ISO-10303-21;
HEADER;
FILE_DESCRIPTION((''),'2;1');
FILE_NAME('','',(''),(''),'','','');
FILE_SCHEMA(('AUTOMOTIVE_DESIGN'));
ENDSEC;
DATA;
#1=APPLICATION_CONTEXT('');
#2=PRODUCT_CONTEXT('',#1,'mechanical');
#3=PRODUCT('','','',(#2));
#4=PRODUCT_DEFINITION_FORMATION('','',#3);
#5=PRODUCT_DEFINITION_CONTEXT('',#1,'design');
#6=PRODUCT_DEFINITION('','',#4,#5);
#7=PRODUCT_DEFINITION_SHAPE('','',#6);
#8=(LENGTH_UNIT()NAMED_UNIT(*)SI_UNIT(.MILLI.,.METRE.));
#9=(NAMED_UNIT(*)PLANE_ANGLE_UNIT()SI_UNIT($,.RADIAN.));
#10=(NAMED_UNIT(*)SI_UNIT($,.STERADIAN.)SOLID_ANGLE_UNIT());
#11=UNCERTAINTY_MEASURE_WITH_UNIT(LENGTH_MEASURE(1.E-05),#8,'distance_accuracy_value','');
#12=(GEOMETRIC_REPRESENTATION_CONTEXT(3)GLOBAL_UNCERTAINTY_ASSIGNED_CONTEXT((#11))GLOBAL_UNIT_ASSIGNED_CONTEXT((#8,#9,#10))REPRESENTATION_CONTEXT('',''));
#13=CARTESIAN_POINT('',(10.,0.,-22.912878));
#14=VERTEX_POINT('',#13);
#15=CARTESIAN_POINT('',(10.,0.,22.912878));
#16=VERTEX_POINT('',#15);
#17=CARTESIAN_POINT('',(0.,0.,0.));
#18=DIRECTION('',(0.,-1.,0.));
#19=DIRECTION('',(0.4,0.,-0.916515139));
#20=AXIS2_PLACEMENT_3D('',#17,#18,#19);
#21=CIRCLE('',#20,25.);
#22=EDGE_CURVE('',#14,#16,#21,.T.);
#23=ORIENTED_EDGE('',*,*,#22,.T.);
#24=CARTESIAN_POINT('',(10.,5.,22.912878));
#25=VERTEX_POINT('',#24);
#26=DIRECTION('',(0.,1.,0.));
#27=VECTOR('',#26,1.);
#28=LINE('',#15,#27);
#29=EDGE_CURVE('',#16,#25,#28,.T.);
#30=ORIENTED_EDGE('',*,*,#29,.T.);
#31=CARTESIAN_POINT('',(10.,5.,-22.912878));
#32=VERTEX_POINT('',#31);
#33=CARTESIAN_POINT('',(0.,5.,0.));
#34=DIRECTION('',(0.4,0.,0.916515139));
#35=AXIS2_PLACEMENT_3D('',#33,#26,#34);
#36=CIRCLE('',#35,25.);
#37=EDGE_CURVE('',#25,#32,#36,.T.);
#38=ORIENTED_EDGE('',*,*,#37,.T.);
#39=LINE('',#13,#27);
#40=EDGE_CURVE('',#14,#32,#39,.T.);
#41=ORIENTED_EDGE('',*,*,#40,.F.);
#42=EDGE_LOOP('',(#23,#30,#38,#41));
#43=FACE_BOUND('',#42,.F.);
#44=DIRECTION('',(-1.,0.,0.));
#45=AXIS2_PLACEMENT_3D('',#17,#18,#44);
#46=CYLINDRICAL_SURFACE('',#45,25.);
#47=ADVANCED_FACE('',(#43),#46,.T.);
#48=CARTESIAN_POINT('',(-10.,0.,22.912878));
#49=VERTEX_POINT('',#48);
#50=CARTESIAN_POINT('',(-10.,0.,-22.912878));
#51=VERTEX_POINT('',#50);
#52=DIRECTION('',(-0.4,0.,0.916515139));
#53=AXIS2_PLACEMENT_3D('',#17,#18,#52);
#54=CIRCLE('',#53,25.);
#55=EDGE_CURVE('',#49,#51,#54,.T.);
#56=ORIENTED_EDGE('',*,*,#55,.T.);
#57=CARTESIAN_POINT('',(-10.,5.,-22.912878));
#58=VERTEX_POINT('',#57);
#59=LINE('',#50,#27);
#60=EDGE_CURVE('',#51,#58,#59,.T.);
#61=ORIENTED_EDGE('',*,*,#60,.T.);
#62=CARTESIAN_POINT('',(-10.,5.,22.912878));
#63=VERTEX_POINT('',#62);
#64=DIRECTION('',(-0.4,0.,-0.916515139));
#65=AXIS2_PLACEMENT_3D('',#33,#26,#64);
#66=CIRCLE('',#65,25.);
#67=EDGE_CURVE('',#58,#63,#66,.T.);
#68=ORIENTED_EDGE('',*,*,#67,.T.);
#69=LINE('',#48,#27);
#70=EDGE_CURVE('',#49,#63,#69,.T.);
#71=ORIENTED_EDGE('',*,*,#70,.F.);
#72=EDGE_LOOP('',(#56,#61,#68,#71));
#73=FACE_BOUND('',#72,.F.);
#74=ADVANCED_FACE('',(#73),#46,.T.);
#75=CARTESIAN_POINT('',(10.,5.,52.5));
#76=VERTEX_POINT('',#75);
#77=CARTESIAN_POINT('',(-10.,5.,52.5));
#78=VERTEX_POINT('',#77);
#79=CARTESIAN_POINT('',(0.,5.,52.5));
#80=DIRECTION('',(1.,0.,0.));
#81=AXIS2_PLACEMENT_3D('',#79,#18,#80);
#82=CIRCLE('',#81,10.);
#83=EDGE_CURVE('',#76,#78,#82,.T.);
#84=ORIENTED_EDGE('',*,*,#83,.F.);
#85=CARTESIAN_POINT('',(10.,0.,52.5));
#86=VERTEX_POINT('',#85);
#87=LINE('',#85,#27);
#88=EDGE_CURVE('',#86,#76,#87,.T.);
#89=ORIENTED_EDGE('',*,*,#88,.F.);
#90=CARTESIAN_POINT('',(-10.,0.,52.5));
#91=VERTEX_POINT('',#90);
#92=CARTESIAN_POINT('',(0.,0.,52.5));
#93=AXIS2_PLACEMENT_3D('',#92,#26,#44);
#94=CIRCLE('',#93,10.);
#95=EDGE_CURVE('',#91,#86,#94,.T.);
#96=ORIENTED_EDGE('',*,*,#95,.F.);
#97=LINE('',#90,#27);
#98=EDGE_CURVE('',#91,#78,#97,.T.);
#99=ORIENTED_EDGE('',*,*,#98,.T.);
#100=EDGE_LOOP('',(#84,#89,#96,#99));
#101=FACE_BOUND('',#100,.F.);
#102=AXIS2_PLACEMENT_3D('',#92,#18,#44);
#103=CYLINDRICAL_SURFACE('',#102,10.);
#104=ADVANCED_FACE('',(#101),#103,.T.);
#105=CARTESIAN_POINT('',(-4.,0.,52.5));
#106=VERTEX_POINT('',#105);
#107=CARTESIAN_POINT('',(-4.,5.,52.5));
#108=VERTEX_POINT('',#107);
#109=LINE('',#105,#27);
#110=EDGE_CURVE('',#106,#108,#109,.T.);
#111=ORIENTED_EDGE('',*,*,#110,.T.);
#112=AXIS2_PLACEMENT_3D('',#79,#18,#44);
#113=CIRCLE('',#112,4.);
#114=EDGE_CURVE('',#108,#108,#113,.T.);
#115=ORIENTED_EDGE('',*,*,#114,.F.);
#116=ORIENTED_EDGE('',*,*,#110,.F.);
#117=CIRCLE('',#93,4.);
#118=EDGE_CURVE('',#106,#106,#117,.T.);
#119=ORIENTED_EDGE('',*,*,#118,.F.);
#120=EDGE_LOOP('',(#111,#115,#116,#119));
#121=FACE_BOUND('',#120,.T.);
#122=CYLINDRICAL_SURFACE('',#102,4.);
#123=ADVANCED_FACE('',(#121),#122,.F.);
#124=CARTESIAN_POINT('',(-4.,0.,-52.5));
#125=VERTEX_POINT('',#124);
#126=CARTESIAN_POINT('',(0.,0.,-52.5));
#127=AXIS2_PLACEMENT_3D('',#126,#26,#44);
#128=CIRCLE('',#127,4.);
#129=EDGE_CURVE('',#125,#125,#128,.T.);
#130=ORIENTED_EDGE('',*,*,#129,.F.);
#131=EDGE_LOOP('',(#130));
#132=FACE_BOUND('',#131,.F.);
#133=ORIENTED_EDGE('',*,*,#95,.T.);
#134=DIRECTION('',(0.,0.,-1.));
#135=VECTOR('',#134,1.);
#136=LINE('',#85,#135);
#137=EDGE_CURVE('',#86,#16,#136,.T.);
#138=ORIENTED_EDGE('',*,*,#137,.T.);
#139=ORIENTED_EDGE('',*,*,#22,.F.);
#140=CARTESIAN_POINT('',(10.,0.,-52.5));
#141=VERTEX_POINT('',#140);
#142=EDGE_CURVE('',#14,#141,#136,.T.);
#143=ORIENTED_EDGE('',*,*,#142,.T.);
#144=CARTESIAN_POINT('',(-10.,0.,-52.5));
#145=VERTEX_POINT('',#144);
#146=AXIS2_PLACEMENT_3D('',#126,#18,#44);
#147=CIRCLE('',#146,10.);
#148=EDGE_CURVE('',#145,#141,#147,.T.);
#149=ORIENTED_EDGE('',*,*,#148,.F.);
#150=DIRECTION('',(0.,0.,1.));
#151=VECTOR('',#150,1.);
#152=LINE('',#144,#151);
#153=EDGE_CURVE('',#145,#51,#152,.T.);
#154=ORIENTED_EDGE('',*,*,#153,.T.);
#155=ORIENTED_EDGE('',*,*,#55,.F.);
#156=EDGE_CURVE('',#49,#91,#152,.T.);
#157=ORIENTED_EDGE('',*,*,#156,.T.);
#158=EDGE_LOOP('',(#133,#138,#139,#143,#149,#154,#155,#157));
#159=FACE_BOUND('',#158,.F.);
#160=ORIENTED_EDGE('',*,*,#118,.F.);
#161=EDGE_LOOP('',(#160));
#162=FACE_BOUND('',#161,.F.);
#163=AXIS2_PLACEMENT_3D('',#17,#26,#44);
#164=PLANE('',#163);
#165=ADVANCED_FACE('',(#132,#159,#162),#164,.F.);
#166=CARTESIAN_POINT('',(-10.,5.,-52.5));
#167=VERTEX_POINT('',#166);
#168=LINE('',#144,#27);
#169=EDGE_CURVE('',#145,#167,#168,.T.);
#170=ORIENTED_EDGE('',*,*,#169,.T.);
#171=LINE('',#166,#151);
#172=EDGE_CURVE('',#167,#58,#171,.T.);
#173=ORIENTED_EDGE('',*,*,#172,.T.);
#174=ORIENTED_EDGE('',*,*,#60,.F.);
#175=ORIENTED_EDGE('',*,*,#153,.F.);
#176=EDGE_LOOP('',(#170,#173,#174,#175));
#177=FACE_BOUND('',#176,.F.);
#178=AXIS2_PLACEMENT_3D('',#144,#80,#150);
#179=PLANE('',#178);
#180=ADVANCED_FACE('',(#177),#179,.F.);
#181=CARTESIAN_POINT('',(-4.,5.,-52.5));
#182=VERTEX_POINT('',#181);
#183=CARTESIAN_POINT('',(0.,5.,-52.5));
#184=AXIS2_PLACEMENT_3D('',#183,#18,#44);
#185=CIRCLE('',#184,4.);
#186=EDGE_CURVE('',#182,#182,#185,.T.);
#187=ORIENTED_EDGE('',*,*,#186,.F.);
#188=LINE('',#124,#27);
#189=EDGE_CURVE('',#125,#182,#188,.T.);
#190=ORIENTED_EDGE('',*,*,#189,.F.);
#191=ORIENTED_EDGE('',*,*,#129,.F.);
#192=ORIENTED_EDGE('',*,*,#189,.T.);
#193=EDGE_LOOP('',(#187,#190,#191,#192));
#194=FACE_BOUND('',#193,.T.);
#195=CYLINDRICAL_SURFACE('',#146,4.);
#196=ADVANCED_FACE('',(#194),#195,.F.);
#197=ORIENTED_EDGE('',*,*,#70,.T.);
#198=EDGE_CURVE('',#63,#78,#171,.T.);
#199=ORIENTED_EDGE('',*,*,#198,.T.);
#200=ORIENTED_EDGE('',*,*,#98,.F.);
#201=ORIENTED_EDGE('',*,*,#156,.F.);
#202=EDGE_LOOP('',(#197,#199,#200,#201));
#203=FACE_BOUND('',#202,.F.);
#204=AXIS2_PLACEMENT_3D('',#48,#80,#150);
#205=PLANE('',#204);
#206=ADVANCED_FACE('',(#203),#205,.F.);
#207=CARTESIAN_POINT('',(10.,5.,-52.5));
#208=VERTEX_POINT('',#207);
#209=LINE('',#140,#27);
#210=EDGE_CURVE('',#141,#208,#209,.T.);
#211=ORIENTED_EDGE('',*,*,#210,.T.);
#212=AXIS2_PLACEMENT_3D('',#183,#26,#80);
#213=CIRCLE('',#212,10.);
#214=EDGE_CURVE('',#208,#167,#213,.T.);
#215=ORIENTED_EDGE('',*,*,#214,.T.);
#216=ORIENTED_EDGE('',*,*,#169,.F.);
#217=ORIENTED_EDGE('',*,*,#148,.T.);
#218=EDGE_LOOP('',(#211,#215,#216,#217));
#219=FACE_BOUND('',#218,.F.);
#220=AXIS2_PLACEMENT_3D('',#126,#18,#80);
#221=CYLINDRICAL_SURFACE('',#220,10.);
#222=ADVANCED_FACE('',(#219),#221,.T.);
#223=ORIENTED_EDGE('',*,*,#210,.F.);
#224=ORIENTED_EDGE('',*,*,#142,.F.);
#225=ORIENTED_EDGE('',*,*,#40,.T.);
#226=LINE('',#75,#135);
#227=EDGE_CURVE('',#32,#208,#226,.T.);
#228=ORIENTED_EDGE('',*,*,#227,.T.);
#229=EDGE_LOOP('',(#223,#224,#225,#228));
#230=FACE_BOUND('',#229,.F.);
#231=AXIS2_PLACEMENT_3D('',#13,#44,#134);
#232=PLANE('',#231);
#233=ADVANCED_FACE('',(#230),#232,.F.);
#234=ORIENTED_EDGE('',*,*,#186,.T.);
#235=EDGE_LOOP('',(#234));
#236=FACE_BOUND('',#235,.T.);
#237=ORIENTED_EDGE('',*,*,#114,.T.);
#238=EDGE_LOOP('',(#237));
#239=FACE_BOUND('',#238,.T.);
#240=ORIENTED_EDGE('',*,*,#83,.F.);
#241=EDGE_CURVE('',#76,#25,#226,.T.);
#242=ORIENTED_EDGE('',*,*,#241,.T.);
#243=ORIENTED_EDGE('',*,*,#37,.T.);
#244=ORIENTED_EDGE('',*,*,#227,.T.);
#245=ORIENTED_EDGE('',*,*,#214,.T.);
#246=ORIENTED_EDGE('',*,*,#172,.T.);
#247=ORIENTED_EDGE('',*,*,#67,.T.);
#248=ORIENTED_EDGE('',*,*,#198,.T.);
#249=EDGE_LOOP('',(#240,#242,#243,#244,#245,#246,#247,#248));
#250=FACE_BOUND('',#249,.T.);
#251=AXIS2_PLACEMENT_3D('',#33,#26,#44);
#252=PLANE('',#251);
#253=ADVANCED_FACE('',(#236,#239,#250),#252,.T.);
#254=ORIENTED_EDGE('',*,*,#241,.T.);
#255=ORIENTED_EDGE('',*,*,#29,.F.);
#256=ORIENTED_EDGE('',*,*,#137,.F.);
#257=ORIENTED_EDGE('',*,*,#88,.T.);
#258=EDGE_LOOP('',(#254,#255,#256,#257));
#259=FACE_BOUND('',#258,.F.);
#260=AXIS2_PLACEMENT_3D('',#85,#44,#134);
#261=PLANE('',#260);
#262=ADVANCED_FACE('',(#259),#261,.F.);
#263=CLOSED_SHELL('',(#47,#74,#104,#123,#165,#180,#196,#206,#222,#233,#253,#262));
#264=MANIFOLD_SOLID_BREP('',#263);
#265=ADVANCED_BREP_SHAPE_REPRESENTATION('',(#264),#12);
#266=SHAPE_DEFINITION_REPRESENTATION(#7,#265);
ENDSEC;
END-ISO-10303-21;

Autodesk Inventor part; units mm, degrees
ref_plane "YZ Plane" through (0, 0, 0) normal (1, 0, 0) x (0, 1, 0)
ref_plane "XZ Plane" through (0, 0, 0) normal (0, 1, 0) x (-1, 0, 0)
ref_plane "XY Plane" through (0, 0, 0) normal (0, 0, 1) x (1, 0, 0)
sketch "Sketch1" plane through (0, 0, 0) normal (0, 1, 0) x (-1, 0, 0)
  line L0 (0, 52.5) -> (0, -52.5) construction
  line L1 (-10, 52.5) -> (-10, -52.5)
  line L2 (10, -52.5) -> (10, 52.5)
  arc A0 (10, 52.5) -> (-10, 52.5) centre (0, 52.5) ccw
  arc A1 (-10, -52.5) -> (10, -52.5) centre (0, -52.5) ccw
  circle A2 centre (0, 0) radius 25
  line L3 (35, 0) -> (-35, 0) projected
  circle A3 centre (0, 52.5) radius 4
  circle A4 centre (0, -52.5) radius 4
  line L4 (0, -87.5) -> (0, 87.5) projected
  point P0 (10, -22.9129)
  point P1 (10, 22.9129)
  point P2 (-10, 22.9129)
  point P3 (-10, -22.9129)
  dimension "d0" = 50
  dimension "d1" = 8
  dimension "d2" = 8
  dimension "d3" = 20
  dimension "d4" = 105
extrude "Extrusion1" add sketch "Sketch1" along normal blind 5 contours A0 L4 A3 A2 L1 | A2 L4 L3 L1 | L1 L3 A2 | A0 L2 A2 L4 A3 | L3 L4 A2 L1 | L1 A2 L3 | A2 L2 L3 L4 | A2 L4 A4 A1 L1 | L3 L2 A2 L4 | A2 L3 L2 | A2 L2 A1 L4 A4 | L3 A2 L2
equation "\"d0\" = DV"
equation "\"d3\" = AnEsl"
equation "\"DV\" = 50"
equation "\"AnEsl\" = 20"
properties part number "EslabonTransmisor"
